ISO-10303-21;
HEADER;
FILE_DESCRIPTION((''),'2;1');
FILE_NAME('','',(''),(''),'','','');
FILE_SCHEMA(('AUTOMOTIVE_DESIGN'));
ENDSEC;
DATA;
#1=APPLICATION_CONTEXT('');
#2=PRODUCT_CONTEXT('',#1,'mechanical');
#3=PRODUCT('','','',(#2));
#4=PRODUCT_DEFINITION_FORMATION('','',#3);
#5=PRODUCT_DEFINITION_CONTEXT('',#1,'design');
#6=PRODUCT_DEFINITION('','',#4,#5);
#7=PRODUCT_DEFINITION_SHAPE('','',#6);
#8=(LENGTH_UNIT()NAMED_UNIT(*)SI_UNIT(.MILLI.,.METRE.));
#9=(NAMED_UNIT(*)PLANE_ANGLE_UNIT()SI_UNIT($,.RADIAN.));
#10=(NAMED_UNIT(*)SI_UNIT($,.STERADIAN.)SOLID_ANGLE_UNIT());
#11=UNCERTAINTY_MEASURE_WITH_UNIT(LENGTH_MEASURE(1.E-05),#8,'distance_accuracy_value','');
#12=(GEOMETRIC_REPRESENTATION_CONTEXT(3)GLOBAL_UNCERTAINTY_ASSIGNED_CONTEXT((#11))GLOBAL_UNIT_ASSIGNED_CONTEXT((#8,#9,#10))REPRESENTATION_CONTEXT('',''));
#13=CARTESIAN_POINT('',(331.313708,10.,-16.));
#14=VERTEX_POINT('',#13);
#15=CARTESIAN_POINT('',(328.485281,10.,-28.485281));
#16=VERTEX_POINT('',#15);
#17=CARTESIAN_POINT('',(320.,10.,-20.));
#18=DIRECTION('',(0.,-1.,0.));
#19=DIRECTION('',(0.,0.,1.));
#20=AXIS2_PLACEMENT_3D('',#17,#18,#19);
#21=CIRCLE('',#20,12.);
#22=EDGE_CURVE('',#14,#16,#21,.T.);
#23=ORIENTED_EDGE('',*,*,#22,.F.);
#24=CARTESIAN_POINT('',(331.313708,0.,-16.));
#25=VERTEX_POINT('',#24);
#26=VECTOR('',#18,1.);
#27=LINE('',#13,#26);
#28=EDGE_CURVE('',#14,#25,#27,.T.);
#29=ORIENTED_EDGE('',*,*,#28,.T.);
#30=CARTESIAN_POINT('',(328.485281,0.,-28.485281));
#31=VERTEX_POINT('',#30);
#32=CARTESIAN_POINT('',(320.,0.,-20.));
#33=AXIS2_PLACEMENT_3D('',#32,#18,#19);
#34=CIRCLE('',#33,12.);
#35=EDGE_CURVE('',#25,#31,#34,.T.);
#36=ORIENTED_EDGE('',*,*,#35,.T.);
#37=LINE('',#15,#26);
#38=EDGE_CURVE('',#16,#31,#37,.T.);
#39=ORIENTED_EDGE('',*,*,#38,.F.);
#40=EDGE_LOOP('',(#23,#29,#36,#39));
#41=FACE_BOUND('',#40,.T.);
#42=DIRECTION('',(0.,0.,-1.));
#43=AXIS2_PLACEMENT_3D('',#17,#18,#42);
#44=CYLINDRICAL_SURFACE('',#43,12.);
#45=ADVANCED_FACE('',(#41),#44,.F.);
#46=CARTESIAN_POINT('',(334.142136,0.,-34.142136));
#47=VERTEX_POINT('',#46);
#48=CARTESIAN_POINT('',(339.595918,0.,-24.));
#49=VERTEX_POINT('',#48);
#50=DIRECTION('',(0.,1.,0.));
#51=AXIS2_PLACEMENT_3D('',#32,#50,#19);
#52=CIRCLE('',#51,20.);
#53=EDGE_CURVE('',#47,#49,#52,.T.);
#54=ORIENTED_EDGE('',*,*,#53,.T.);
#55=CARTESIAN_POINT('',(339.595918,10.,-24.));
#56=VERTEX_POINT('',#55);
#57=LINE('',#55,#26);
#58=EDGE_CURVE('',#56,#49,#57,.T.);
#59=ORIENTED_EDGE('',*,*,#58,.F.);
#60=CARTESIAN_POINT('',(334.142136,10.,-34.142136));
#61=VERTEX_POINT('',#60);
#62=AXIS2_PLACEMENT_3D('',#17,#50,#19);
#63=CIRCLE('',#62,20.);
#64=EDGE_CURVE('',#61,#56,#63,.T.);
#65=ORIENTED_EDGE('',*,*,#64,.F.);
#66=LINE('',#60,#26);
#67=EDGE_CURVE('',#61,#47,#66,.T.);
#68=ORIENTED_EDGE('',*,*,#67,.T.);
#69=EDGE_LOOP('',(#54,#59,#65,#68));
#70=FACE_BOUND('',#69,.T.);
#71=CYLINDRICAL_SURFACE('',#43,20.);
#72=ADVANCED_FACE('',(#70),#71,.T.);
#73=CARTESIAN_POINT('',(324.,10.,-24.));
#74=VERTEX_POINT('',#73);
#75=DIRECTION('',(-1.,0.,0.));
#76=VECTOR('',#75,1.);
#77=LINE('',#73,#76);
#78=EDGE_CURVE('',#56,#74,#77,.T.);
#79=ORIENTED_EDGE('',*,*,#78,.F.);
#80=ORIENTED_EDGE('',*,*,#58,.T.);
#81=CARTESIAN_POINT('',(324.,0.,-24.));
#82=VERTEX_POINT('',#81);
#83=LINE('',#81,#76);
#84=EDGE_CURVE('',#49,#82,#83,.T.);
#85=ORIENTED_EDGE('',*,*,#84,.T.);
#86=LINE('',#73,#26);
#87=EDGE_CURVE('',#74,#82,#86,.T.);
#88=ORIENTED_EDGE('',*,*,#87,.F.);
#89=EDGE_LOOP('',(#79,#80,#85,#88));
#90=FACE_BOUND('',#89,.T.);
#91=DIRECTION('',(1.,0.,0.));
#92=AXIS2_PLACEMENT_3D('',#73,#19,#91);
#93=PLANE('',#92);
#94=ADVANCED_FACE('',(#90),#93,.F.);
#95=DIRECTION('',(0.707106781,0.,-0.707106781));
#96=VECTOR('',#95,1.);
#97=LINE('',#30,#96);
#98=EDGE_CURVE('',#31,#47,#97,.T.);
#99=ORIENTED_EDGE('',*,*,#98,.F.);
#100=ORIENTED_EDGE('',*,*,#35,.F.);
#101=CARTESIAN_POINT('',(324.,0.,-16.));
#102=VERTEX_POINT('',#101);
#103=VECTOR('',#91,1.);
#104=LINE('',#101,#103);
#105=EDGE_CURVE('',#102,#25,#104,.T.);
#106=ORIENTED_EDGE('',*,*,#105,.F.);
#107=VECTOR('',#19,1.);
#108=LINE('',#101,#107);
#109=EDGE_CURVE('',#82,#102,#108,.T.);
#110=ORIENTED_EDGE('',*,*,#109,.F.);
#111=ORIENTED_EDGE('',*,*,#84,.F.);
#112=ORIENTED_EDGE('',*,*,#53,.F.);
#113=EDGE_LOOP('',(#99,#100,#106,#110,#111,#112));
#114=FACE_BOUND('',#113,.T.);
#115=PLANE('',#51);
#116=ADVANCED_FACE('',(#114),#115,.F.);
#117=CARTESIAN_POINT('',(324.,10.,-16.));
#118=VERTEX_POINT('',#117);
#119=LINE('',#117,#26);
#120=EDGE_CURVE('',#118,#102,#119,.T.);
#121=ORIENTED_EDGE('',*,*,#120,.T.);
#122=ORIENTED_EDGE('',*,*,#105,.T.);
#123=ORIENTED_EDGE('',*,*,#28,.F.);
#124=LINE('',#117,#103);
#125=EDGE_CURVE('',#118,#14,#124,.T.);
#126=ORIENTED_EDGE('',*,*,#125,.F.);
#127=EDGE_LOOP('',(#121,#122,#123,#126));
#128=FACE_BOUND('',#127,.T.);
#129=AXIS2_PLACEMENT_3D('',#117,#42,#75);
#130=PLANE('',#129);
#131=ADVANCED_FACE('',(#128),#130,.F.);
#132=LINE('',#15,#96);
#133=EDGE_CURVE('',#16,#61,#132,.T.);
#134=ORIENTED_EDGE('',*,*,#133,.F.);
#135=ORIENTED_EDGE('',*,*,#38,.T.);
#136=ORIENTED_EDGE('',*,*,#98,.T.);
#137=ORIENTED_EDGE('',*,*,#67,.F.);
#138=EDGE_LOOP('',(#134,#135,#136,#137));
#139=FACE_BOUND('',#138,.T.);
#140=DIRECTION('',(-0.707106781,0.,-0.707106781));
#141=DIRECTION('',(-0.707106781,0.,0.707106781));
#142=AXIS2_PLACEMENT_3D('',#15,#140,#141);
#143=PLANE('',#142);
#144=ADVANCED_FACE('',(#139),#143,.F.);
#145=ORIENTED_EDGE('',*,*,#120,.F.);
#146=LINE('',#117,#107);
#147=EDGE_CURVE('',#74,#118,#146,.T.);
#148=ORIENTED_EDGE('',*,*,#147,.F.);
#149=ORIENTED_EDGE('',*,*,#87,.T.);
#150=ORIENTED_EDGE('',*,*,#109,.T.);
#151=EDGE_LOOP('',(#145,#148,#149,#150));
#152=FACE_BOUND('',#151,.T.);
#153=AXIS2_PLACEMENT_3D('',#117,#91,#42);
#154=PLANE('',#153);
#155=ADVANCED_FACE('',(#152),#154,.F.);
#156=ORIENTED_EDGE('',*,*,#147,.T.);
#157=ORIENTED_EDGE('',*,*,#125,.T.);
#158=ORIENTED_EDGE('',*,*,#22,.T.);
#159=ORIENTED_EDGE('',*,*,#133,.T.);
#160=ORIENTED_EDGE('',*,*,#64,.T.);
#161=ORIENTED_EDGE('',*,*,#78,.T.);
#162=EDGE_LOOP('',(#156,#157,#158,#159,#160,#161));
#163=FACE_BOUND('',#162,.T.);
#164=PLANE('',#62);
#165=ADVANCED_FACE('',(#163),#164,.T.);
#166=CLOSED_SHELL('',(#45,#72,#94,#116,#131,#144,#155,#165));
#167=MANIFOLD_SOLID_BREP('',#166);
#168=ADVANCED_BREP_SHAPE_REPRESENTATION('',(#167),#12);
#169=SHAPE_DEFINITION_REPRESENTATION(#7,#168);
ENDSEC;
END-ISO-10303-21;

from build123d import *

# Parameters (mm, degrees)
BOSS_EXTRUDE1_DEPTH = 10


with BuildPart() as part:
    # Sketch1 → Boss-Extrude1 (new body)
    with BuildSketch(Plane(origin=(0, 0, 0), x_dir=(1, 0, 0), z_dir=(0, 1, 0))):
        with BuildLine():
            Line((328.485281374, 28.485281374), (334.142135624, 34.142135624))
            ThreePointArc((334.142135624, 34.142135624), (302.385239333, 10.527924903), (339.595917942, 24))
            Line((339.595917942, 24), (324, 24))
            Line((324, 24), (324, 16))
            Line((324, 16), (331.313708499, 16))
            ThreePointArc((331.313708499, 16), (308.296557654, 17.348691408), (328.485281374, 28.485281374))
        make_face()
    extrude(amount=BOSS_EXTRUDE1_DEPTH)


solid = part.part
